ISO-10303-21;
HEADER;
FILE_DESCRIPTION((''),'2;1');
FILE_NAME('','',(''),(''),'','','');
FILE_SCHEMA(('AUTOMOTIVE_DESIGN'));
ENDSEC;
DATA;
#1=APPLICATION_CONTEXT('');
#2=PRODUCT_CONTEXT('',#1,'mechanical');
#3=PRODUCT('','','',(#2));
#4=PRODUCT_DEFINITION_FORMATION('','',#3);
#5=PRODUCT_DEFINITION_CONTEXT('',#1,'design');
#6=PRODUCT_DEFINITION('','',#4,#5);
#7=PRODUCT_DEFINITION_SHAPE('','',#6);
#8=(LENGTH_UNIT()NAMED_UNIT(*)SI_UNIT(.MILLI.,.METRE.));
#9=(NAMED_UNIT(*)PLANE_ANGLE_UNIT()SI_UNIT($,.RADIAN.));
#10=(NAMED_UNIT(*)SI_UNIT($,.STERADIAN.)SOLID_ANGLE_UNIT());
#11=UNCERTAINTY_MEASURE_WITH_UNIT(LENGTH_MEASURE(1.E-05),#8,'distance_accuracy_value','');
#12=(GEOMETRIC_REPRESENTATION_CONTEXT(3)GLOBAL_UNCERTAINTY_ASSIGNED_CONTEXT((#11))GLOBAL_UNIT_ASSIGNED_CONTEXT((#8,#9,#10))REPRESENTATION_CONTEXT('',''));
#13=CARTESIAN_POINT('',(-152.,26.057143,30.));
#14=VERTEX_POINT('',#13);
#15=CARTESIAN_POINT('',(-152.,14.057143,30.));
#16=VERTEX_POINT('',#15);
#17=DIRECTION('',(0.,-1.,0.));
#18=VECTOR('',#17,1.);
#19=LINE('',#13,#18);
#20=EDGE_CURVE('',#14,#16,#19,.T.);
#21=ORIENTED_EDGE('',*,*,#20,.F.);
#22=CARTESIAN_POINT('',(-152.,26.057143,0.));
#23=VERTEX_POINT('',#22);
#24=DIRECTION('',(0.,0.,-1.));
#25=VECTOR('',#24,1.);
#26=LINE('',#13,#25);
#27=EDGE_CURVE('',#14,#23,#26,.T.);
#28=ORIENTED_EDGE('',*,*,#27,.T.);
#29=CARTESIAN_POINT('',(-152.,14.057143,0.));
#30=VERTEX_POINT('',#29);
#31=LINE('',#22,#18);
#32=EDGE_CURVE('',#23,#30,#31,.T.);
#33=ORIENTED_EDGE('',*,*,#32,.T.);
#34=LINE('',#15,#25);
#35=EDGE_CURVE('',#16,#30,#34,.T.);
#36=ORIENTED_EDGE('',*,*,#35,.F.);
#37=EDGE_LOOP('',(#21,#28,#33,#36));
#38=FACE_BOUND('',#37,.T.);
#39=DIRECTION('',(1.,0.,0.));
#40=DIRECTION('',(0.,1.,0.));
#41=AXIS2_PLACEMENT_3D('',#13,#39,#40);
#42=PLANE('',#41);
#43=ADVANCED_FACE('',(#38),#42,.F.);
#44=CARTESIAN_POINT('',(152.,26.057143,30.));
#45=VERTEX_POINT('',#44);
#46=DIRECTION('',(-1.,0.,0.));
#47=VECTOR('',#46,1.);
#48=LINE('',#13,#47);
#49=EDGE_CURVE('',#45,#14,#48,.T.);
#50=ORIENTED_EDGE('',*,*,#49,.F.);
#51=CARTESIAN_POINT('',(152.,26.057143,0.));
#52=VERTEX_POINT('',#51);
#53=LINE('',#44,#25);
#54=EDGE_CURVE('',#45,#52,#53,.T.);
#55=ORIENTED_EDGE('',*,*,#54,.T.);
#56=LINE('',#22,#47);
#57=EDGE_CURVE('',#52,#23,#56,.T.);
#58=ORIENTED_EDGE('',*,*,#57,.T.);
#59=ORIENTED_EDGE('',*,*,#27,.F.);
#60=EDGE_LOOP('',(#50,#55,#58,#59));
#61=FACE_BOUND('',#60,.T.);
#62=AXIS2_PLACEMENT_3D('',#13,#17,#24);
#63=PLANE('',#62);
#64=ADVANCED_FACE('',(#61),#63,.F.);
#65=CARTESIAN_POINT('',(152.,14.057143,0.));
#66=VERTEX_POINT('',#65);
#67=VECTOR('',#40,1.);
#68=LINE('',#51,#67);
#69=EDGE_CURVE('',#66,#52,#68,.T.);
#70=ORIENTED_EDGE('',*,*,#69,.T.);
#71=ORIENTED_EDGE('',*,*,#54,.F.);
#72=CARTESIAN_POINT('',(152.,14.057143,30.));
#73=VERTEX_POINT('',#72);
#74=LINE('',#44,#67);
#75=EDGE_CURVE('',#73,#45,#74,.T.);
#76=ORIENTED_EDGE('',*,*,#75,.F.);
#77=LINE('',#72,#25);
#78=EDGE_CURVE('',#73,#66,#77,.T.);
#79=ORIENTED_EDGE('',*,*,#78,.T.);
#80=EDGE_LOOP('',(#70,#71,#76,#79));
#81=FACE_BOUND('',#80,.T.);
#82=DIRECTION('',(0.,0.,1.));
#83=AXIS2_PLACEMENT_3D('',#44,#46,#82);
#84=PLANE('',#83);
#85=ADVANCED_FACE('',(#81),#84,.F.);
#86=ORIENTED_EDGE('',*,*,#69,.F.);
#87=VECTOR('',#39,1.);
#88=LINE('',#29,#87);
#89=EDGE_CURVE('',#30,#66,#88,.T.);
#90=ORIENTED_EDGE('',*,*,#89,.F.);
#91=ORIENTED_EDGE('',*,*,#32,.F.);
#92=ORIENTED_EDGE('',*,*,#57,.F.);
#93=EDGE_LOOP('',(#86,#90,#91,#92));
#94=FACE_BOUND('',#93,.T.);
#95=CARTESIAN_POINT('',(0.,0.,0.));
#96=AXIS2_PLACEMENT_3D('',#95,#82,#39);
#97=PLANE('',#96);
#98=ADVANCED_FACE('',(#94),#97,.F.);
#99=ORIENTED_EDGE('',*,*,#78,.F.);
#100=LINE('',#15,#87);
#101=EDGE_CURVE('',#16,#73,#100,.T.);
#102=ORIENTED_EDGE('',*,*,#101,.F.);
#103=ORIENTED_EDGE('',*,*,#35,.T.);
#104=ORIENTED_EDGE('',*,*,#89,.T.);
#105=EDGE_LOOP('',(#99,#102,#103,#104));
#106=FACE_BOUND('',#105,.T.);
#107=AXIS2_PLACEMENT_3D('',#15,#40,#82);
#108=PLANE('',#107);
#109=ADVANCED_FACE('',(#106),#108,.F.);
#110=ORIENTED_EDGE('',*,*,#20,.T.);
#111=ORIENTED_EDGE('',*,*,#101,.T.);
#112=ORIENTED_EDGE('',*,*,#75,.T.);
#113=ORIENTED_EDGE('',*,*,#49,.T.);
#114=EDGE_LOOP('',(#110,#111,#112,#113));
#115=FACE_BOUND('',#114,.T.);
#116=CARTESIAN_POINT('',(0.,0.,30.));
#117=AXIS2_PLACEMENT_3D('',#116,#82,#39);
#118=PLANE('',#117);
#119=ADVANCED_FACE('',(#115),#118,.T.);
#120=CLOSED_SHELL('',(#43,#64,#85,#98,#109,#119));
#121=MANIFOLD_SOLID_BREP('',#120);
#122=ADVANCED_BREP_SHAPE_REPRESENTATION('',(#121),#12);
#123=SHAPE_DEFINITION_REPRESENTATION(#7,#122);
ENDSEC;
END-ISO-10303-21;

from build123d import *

# Parameters (mm, degrees)
SKETCH_1_W      = 304
SKETCH_1_H      = 12
EXTRUDE_1_DEPTH = 30


with BuildPart() as part:
    # 草图1 → 凸台-拉伸1 (new body)
    with BuildSketch(Plane.XY):
        with Locations((0, 20.057142857)):
            Rectangle(SKETCH_1_W, SKETCH_1_H)
    extrude(amount=EXTRUDE_1_DEPTH)


solid = part.part
